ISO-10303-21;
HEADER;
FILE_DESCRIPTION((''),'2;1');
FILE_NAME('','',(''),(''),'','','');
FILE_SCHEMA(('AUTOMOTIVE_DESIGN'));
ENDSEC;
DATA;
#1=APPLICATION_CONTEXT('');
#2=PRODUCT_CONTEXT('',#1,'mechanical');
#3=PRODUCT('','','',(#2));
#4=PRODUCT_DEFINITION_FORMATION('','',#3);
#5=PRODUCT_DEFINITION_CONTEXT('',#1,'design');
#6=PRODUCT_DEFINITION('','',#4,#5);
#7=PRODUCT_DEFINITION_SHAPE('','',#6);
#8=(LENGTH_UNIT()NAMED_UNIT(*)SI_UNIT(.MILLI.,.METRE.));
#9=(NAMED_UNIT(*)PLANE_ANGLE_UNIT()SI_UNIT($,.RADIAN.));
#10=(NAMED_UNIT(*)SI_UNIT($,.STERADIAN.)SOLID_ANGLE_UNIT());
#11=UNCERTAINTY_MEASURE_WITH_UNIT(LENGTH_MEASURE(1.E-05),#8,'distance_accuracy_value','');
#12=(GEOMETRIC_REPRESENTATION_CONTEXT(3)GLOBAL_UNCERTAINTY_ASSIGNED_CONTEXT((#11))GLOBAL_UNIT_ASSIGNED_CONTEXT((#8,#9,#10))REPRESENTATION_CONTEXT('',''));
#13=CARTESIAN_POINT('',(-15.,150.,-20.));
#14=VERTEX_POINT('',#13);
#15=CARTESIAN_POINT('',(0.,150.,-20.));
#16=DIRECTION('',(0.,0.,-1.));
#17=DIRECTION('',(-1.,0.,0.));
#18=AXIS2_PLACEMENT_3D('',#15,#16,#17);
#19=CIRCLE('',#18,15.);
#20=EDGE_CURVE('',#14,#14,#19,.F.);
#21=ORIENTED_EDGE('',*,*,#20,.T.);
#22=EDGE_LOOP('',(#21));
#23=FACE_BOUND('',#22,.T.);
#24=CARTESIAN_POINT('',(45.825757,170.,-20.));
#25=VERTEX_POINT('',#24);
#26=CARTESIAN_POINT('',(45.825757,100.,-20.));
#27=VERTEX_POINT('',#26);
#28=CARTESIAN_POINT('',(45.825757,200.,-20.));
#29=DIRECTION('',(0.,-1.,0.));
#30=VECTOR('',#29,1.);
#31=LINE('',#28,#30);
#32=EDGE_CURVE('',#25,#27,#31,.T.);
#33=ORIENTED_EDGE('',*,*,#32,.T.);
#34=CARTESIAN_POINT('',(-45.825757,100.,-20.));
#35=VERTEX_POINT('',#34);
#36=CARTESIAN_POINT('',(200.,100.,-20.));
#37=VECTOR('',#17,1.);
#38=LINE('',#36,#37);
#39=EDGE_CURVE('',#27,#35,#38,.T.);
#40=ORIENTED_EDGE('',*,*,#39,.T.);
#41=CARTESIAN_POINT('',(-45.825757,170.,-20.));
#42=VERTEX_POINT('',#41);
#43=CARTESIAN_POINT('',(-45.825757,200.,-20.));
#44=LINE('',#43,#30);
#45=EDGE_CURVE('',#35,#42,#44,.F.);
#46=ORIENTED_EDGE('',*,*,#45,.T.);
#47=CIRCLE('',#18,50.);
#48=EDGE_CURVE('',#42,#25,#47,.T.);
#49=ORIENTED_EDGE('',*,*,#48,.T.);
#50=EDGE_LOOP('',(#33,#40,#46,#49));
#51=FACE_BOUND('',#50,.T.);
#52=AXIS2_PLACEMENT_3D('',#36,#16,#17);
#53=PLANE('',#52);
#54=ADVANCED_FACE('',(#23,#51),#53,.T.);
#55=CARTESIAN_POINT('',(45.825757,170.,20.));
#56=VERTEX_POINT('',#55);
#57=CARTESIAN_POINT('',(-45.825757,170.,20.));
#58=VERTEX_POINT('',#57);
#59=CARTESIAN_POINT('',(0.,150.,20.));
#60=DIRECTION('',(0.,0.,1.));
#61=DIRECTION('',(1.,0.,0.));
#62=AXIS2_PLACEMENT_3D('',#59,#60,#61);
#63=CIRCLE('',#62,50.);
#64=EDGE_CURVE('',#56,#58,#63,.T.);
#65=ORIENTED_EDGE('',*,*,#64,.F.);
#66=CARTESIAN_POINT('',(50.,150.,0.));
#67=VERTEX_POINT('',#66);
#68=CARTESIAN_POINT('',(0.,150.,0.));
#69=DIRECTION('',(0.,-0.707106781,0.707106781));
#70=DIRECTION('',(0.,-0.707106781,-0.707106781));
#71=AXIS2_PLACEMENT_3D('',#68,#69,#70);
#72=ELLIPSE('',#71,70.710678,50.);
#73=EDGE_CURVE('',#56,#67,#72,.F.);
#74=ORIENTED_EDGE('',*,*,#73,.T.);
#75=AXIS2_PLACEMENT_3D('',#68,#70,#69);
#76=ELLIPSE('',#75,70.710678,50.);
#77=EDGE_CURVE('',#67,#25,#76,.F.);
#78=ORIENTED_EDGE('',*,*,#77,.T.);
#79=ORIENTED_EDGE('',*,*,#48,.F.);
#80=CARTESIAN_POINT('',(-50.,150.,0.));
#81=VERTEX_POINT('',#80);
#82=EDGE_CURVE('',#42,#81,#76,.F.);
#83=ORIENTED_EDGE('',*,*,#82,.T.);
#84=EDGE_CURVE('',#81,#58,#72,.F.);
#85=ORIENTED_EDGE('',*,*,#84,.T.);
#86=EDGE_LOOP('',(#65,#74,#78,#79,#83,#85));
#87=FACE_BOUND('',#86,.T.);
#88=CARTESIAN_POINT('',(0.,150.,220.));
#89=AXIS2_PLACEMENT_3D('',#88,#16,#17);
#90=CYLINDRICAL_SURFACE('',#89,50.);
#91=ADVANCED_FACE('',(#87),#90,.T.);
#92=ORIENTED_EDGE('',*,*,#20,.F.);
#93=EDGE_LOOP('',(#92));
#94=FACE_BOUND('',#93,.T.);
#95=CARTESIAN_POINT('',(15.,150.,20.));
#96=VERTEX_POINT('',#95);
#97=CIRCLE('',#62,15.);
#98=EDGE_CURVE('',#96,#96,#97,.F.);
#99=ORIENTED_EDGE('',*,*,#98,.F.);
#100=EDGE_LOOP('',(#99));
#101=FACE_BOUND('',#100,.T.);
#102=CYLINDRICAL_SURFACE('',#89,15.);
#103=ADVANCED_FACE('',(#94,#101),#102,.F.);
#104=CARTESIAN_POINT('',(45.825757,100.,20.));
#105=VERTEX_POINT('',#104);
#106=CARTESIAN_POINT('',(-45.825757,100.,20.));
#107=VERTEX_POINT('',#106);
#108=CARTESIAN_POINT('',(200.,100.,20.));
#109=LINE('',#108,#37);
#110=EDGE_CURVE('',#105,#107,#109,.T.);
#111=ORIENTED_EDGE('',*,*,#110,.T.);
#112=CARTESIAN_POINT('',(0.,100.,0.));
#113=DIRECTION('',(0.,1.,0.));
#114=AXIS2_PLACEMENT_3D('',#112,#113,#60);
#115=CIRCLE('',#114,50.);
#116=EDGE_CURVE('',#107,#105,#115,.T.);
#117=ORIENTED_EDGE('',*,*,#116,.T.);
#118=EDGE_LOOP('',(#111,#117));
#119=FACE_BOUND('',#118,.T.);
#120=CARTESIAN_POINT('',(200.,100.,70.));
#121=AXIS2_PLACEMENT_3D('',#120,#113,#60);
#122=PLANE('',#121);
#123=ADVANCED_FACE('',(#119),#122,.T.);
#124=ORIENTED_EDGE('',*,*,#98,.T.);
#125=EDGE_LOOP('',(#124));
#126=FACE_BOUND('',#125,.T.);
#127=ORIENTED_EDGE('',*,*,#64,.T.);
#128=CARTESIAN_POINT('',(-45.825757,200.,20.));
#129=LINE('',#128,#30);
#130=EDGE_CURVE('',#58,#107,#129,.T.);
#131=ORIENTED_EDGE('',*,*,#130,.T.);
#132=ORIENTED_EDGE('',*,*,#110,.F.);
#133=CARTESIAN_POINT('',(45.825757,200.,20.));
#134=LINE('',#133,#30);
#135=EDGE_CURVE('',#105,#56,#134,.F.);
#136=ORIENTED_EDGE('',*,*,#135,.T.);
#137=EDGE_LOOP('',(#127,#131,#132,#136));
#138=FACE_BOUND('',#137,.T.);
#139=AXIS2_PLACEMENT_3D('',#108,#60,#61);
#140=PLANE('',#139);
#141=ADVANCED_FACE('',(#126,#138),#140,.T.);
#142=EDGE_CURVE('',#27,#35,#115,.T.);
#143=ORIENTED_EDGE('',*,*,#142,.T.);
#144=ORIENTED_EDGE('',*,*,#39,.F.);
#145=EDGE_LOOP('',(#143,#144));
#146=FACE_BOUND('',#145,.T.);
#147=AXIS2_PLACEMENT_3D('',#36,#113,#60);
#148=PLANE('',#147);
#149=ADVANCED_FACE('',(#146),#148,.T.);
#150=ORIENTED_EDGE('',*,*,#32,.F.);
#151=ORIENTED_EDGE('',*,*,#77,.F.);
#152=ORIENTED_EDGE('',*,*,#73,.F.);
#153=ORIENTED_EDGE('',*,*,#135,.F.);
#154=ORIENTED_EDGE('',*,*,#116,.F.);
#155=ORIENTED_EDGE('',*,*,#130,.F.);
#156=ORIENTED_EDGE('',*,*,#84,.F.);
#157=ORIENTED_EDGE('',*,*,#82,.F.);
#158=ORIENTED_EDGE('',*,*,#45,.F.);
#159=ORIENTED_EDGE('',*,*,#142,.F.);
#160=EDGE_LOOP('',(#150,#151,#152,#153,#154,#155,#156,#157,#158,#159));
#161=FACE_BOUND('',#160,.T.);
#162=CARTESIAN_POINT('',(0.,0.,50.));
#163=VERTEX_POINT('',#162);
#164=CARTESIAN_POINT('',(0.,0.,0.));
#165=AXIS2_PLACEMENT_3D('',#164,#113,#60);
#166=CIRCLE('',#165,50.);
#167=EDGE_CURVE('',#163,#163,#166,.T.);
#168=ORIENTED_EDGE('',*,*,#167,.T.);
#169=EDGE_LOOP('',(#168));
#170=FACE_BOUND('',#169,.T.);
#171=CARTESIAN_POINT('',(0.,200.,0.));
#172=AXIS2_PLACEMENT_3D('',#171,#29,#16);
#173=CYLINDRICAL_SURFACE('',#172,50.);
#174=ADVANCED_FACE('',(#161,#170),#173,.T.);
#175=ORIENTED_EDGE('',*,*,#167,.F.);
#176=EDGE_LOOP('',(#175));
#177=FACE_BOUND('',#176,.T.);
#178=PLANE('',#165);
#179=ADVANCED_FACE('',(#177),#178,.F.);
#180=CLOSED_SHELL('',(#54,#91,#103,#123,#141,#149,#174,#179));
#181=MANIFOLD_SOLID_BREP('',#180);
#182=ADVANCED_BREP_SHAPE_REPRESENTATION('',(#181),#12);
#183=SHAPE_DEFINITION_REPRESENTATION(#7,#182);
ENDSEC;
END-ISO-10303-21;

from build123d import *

# Parameters (mm, degrees)
SKETCH_1_R               = 50
EXTRUDE_1_DEPTH          = 200
CUT_EXTRUDE_1_DEPTH      = 200
CUT_EXTRUDE_1_DEPTH_BACK = 200
CUT_EXTRUDE_4_DEPTH      = 200
CUT_EXTRUDE_4_DEPTH_BACK = 200
CUT_EXTRUDE_5_DEPTH      = 200
CUT_EXTRUDE_5_DEPTH_BACK = 200
SKETCH_5_R               = 15


with BuildPart() as part:
    # 草图1 → 凸台-拉伸1 (new body)
    with BuildSketch(Plane(origin=(0, 0, 0), x_dir=(1, 0, 0), z_dir=(0, 1, 0))):
        Circle(SKETCH_1_R)
    extrude(amount=EXTRUDE_1_DEPTH)

    # 草图2 → 切除-拉伸1 (cut, two sides: drawn at the far end of the back side and taken through both)
    with BuildSketch(Plane(origin=(0, 0, 0), x_dir=(0, 0, -1), z_dir=(1, 0, 0)).offset(-CUT_EXTRUDE_1_DEPTH_BACK)):
        Polygon((-70, 250), (70, 250), (70, 100), (20, 100), (20, 240), (-20, 240), (-20, 100), (-70, 100), align=None)
    extrude(amount=CUT_EXTRUDE_1_DEPTH + CUT_EXTRUDE_1_DEPTH_BACK, mode=Mode.SUBTRACT)

    # 草图3 → 切除-拉伸4 (cut, two sides: drawn at the far end of the back side and taken through both)
    with BuildSketch(Plane.XY.offset(20).offset(-CUT_EXTRUDE_4_DEPTH_BACK)):
        with BuildLine():
            Line((50, 150), (108.18036677, 150))
            Line((108.18036677, 150), (108.18036677, 270))
            Line((108.18036677, 270), (-86.328849113, 270))
            Line((-86.328849113, 270), (-86.328849113, 150))
            Line((-86.328849113, 150), (-50, 150))
            ThreePointArc((-50, 150), (0, 200), (50, 150))
        make_face()
    extrude(amount=CUT_EXTRUDE_4_DEPTH + CUT_EXTRUDE_4_DEPTH_BACK, mode=Mode.SUBTRACT)

    # 草图5 → 切除-拉伸5 (cut, two sides: drawn at the far end of the back side and taken through both)
    with BuildSketch(Plane.XY.offset(20).offset(-CUT_EXTRUDE_5_DEPTH_BACK)):
        with Locations((0, 150)):
            Circle(SKETCH_5_R)
    extrude(amount=CUT_EXTRUDE_5_DEPTH + CUT_EXTRUDE_5_DEPTH_BACK, mode=Mode.SUBTRACT)


solid = part.part
